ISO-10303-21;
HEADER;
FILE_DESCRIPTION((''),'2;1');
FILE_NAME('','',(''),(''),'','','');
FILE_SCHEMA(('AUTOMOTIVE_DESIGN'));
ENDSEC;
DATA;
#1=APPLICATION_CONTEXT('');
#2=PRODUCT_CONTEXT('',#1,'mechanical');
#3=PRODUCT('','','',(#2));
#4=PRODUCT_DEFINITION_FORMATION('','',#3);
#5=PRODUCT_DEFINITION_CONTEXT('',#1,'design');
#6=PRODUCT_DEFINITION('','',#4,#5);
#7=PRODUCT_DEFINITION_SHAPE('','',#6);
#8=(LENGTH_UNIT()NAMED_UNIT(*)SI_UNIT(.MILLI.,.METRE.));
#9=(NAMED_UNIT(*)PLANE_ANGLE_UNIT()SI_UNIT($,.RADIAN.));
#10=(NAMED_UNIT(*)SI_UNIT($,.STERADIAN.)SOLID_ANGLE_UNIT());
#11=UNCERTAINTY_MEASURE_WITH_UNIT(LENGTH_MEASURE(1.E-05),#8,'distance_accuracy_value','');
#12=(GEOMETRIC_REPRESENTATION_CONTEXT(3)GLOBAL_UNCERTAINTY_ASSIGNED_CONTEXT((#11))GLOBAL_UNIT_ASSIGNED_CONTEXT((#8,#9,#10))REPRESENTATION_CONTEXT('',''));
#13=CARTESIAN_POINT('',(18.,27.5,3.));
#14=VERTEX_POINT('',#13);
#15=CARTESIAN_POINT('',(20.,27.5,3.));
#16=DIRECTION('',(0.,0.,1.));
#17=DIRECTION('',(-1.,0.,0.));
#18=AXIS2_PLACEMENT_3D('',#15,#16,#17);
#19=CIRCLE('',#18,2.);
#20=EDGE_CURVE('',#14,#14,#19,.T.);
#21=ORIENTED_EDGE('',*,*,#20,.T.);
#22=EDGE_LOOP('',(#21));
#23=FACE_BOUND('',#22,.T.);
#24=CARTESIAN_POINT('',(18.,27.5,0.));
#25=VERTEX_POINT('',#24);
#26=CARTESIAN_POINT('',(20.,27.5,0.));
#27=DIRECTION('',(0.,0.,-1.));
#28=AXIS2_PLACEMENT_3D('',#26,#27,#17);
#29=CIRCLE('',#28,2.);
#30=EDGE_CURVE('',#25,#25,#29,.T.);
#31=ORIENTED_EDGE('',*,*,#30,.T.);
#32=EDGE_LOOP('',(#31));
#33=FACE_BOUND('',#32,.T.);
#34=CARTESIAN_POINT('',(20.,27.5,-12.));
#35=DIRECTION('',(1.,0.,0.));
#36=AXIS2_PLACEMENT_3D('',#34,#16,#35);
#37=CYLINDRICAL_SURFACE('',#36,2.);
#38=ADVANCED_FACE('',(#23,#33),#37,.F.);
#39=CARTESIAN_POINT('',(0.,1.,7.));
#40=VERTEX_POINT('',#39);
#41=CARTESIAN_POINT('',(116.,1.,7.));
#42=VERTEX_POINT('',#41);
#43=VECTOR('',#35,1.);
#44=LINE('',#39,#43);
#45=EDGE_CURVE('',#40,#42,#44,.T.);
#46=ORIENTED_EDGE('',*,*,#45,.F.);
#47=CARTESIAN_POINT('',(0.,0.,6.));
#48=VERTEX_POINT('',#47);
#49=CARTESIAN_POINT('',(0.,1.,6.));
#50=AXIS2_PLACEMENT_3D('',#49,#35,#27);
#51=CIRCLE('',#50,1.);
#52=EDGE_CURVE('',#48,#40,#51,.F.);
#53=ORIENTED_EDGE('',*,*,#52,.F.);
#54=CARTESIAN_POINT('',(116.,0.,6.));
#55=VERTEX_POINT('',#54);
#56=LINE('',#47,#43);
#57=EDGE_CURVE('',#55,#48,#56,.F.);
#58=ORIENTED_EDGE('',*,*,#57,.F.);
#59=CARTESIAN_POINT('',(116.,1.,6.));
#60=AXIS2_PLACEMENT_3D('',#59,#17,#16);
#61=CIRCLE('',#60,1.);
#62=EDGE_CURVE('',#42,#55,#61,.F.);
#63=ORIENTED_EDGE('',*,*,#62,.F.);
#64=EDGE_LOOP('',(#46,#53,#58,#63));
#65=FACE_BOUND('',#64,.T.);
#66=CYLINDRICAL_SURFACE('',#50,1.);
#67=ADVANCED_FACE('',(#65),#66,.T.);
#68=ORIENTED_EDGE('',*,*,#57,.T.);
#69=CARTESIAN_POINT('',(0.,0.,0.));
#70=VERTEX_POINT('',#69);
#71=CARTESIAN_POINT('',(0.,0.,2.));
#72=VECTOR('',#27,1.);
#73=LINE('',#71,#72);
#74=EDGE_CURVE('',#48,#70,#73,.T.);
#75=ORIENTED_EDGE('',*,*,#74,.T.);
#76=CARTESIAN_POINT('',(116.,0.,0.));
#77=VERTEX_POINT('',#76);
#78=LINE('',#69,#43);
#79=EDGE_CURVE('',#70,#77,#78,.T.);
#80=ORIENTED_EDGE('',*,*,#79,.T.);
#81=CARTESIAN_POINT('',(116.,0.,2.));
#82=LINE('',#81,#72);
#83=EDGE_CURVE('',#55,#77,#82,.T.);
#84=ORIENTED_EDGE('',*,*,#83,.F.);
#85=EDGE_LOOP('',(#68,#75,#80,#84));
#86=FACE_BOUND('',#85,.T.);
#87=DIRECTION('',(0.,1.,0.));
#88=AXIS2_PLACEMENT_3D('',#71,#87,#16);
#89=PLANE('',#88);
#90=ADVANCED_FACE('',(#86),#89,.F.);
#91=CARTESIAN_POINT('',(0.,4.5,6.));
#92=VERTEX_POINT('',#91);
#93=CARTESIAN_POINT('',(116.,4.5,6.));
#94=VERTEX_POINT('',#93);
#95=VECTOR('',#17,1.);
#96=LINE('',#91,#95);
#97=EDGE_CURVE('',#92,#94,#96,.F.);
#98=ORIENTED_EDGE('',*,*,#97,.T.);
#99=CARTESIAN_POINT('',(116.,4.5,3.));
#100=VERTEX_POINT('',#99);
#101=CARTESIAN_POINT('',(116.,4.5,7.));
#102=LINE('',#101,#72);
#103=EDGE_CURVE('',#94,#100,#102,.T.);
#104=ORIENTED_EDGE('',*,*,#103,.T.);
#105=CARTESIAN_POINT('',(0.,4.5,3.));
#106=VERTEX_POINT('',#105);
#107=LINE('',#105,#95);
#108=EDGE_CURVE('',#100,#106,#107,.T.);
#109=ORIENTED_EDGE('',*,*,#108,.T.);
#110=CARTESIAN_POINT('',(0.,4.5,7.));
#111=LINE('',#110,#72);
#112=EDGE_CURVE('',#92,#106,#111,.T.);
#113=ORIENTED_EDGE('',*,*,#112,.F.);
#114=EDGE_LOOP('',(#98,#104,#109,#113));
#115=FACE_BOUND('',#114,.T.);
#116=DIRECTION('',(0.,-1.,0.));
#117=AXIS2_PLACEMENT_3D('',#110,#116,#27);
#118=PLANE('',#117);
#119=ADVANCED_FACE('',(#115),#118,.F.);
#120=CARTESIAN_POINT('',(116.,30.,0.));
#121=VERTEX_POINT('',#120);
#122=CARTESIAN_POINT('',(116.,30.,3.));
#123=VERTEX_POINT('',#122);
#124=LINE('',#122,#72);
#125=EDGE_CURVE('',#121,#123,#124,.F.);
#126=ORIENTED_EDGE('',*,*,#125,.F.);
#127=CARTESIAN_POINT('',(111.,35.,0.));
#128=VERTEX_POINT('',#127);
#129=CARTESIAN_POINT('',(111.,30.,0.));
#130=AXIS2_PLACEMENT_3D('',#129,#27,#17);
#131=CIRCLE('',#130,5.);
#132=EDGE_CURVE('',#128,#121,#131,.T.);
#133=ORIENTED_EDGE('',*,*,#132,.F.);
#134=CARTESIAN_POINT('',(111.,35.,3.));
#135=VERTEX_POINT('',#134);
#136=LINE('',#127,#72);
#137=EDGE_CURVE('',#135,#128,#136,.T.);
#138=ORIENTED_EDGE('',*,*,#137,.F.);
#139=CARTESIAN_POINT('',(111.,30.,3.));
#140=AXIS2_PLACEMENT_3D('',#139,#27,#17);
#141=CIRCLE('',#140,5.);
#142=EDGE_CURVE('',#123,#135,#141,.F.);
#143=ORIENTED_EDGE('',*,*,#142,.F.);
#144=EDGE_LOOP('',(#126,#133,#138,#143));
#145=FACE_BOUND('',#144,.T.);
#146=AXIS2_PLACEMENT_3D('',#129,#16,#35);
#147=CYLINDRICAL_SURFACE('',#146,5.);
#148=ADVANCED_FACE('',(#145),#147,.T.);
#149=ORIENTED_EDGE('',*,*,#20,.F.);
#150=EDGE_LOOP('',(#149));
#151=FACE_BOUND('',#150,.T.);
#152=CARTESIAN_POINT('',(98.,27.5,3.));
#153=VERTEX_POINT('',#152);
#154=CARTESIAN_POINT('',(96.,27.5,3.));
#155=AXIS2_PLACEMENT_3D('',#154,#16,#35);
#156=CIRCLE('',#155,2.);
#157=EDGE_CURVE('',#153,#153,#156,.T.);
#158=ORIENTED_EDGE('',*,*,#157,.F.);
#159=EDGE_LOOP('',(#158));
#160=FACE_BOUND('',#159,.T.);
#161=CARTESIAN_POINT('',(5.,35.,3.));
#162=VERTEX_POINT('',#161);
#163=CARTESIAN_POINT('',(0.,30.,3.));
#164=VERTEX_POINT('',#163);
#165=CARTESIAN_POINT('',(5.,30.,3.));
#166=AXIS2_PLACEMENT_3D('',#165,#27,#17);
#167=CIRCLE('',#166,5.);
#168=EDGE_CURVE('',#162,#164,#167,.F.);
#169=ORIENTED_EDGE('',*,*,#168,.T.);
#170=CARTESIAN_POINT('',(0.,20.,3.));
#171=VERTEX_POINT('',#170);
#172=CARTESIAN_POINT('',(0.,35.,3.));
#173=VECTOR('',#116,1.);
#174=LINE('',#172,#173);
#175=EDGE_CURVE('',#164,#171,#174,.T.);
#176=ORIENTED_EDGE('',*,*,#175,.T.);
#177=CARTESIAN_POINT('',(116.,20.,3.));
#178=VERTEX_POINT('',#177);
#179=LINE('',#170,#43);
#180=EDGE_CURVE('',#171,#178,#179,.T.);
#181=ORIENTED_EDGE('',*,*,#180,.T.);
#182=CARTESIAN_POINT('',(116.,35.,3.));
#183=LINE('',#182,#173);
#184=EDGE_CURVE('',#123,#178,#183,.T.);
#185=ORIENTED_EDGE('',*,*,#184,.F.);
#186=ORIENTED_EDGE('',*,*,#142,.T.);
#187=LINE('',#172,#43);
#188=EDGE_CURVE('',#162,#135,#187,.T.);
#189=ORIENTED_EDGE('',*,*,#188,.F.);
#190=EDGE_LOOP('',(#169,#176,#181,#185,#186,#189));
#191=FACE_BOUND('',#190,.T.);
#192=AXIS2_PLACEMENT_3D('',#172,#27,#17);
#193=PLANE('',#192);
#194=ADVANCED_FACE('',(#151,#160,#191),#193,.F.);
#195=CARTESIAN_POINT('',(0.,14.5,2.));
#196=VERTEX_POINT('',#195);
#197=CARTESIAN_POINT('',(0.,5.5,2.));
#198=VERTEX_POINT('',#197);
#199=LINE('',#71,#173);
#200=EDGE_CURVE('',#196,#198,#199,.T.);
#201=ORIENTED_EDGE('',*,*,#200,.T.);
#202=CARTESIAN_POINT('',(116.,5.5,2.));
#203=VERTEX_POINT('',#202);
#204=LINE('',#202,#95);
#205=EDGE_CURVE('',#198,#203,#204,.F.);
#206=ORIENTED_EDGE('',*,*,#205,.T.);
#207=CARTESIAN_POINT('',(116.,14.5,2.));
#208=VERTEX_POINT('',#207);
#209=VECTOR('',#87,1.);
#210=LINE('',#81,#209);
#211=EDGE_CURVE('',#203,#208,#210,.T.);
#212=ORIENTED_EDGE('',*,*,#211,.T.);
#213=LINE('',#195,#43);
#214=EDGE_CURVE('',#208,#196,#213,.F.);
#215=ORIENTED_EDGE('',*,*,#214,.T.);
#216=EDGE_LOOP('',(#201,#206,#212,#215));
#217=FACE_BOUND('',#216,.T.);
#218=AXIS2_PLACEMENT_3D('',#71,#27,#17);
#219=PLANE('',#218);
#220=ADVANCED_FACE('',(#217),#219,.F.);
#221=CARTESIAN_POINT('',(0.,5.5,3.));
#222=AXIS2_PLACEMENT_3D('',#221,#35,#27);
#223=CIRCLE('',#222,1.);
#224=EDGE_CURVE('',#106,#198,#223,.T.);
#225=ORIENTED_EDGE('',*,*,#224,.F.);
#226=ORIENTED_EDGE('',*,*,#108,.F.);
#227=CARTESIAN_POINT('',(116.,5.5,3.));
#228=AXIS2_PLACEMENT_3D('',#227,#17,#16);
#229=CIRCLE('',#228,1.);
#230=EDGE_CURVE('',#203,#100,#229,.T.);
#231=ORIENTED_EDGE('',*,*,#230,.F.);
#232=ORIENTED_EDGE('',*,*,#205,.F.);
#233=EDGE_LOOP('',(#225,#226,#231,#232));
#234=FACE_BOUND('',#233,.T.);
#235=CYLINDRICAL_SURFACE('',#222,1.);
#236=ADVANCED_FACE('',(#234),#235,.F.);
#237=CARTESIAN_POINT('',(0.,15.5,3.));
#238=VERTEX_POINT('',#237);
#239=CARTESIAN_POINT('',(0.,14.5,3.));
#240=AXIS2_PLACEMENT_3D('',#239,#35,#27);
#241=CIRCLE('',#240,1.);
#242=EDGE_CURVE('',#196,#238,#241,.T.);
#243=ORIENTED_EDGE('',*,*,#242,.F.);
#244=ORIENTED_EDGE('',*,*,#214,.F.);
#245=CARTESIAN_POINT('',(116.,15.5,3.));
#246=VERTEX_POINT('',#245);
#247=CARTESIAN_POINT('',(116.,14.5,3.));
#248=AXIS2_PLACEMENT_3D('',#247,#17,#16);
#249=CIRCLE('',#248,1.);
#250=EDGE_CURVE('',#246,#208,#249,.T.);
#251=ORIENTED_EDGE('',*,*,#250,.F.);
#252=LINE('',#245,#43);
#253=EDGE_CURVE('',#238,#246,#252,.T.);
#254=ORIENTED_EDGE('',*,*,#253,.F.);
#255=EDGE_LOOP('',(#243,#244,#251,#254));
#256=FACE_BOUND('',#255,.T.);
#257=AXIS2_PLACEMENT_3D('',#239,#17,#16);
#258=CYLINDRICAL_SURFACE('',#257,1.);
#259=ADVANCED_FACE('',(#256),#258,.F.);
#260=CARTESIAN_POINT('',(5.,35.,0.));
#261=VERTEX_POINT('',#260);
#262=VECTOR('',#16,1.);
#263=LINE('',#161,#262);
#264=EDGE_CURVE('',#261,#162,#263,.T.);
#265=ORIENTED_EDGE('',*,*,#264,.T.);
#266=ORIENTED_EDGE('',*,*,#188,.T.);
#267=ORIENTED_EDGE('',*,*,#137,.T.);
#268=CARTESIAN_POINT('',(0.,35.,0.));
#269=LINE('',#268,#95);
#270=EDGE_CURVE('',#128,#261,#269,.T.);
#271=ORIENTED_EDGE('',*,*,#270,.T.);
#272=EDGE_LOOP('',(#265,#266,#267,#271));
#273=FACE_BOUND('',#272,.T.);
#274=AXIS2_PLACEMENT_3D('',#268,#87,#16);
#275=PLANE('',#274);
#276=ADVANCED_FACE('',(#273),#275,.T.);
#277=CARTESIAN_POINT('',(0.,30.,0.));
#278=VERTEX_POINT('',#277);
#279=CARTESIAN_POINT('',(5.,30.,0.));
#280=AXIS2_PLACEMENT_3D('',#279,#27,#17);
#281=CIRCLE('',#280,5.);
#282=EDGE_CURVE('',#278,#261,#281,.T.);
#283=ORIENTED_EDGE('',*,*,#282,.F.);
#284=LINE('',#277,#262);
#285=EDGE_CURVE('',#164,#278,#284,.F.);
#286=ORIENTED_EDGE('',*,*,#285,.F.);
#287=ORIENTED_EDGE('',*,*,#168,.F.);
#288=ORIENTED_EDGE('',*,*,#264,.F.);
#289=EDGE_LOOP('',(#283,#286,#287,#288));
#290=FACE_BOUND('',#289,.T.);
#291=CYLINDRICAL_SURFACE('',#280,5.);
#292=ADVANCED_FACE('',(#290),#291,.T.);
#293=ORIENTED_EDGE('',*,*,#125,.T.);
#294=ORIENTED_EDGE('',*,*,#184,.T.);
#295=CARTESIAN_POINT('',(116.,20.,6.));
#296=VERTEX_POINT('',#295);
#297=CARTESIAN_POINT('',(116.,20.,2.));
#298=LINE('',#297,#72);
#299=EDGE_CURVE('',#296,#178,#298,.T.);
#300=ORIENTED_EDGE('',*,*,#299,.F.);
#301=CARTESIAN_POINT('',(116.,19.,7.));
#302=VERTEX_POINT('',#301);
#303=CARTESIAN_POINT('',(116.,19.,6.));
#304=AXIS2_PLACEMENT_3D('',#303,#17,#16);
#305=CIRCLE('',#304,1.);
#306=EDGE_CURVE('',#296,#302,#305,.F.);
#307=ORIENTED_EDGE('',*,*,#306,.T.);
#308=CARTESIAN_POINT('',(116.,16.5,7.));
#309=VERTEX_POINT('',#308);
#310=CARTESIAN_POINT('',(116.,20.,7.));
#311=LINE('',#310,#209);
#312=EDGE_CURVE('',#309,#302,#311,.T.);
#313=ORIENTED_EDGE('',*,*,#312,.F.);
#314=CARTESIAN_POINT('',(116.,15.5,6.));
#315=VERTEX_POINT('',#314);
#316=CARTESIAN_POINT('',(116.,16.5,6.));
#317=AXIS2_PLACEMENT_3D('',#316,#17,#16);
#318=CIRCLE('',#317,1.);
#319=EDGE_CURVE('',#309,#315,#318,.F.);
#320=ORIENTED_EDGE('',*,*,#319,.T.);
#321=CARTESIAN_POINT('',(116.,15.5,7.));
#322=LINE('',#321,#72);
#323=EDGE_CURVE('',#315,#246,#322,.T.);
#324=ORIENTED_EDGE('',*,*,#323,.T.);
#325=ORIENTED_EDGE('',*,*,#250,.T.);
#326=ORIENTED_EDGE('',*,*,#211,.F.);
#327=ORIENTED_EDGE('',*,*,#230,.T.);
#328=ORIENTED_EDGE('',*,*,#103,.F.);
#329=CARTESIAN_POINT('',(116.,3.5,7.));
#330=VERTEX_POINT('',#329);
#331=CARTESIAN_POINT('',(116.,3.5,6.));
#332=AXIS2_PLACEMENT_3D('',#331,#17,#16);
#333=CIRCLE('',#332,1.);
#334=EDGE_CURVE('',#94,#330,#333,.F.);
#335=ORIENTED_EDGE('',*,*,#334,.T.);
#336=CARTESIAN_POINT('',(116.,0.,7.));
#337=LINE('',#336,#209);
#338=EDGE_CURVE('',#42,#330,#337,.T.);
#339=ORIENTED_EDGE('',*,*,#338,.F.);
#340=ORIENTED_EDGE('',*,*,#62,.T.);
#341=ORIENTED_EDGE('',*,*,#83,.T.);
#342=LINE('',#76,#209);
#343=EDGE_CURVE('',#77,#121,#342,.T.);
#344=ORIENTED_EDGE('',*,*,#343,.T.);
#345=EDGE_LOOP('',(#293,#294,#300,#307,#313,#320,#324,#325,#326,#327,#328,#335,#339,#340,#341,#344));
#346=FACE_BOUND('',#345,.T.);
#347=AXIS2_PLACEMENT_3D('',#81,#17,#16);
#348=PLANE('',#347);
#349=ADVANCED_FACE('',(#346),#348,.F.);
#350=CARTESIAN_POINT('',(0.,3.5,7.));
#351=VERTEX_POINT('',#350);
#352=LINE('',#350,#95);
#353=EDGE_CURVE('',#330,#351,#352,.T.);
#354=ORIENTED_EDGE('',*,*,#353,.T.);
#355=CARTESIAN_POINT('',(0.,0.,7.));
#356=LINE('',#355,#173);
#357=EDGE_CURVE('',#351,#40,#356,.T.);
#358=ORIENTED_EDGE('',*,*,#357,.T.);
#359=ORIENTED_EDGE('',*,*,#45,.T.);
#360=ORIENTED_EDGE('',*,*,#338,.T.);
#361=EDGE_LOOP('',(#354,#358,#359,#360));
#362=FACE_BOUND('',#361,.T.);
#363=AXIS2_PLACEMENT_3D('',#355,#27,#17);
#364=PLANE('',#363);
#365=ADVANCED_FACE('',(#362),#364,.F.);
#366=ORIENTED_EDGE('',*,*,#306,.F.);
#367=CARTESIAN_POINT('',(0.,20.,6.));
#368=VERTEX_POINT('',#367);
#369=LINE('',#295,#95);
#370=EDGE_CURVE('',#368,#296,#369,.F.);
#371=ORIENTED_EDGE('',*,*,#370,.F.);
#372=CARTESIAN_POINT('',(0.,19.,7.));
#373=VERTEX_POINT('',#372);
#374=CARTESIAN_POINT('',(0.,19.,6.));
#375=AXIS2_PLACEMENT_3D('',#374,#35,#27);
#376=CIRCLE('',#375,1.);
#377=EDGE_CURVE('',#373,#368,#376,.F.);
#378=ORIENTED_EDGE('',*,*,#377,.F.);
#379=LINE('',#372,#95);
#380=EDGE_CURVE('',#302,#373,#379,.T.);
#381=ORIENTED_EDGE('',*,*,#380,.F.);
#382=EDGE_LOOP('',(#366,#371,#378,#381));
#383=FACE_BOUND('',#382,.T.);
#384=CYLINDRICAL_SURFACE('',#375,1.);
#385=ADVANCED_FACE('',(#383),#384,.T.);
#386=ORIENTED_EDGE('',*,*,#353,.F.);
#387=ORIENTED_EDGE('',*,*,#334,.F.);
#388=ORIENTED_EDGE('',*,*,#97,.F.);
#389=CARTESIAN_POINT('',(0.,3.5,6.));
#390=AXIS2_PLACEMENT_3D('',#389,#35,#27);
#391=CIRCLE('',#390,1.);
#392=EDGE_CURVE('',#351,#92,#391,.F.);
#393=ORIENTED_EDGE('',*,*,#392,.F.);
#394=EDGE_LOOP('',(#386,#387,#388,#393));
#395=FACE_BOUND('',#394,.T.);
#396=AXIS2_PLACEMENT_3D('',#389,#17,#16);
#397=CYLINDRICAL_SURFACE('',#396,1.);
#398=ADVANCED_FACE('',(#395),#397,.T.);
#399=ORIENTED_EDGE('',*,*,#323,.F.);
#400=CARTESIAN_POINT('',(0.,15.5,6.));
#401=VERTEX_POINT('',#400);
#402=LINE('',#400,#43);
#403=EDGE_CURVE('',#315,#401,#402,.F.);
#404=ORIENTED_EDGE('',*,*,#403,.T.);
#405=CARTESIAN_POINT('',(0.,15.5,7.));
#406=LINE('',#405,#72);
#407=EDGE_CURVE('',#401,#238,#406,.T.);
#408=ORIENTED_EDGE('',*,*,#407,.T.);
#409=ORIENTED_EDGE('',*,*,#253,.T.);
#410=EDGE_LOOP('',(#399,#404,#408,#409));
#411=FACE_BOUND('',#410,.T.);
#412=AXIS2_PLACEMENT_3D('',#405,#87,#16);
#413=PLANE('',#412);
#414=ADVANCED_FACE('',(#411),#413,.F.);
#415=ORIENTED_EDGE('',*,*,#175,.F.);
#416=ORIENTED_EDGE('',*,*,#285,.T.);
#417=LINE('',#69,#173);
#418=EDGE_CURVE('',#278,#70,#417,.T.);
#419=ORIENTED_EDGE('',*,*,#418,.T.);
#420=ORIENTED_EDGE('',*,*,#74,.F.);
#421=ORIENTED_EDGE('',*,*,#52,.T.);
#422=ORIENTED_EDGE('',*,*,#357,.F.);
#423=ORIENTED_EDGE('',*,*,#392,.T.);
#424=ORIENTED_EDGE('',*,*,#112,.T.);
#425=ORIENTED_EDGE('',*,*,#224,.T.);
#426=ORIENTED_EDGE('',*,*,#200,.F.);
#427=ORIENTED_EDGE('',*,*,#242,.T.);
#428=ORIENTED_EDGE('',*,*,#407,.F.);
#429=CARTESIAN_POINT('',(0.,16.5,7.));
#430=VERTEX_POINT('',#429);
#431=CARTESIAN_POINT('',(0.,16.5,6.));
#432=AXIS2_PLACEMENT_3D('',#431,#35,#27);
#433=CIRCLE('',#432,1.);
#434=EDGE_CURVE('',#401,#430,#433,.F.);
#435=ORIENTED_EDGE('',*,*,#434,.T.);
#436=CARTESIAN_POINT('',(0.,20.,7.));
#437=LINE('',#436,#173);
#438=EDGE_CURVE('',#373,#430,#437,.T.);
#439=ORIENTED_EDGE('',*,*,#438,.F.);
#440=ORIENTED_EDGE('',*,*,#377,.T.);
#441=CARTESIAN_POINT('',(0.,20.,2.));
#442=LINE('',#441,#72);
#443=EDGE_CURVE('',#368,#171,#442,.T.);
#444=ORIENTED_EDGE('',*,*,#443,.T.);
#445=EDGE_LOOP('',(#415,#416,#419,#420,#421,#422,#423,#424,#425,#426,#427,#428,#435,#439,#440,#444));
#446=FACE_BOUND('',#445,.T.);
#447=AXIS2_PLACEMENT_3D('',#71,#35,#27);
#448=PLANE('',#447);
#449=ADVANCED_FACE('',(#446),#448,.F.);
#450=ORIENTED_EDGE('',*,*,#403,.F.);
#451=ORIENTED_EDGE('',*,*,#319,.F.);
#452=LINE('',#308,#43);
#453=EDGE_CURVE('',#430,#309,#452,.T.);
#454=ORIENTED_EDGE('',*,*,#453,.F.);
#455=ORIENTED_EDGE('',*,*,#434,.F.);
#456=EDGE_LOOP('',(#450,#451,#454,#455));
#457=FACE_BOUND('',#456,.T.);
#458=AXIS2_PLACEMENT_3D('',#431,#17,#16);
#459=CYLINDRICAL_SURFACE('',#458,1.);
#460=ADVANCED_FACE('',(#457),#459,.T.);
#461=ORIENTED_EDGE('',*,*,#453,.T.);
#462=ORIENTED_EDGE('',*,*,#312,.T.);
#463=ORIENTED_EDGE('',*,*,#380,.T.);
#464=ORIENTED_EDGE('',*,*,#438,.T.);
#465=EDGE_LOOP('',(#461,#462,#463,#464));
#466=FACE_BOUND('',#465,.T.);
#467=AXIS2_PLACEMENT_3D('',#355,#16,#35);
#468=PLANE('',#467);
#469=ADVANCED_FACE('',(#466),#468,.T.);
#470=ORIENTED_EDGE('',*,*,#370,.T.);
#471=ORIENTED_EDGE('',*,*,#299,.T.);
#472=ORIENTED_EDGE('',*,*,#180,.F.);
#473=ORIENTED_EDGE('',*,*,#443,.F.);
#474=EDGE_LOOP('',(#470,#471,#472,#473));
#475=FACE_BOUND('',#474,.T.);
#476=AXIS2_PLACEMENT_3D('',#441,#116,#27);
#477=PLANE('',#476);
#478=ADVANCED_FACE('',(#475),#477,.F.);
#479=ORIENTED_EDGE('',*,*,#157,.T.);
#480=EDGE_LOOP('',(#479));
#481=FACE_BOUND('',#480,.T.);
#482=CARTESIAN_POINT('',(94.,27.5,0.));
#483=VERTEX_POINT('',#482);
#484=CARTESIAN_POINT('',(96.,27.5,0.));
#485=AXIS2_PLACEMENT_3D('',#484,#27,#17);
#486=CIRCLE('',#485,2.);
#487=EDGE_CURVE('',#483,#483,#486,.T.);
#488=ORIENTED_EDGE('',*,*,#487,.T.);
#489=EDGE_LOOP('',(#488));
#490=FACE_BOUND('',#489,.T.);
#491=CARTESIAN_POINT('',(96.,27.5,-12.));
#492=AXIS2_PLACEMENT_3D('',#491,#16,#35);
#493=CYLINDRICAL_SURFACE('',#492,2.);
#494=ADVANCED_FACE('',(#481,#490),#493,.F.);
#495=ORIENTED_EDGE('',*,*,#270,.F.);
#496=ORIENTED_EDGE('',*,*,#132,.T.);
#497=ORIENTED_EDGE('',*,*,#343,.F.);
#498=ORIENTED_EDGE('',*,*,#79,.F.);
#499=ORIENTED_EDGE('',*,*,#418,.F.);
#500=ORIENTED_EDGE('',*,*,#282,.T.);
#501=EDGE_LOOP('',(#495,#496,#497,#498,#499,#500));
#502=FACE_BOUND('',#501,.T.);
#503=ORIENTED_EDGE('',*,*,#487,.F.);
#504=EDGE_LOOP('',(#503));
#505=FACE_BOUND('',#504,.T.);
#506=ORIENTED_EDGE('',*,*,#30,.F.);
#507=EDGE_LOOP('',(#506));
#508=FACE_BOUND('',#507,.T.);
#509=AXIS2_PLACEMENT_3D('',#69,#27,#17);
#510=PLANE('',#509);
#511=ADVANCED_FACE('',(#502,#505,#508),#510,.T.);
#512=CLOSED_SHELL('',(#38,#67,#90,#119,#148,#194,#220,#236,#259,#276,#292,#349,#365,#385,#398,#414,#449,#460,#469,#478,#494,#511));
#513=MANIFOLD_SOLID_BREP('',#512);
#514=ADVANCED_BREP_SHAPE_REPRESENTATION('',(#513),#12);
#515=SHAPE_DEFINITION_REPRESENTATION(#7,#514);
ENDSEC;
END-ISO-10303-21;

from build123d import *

# Parameters (mm, degrees)
SKETCH1_W           = 116
SKETCH1_H           = 20
BOSS_EXTRUDE1_DEPTH = 2
SKETCH2_W           = 116
SKETCH2_H           = 4.5
BOSS_EXTRUDE2_DEPTH = 5
FILLET1_R           = 1
SKETCH3_W           = 116
SKETCH3_H           = 3
BOSS_EXTRUDE3_DEPTH = 15
FILLET2_R           = 5
SKETCH4_R           = 2
CUT_EXTRUDE1_DEPTH  = 15


with BuildPart() as part:
    # Sketch1 → Boss-Extrude1 (new body)
    with BuildSketch(Plane.XY):
        with Locations((58, 10)):
            Rectangle(SKETCH1_W, SKETCH1_H)
    extrude(amount=BOSS_EXTRUDE1_DEPTH)

    # Sketch2 → Boss-Extrude2 (add)
    with BuildSketch(Plane.XY.offset(2)):
        with Locations((58, 17.75)):
            Rectangle(SKETCH2_W, SKETCH2_H)
        with Locations((58, 2.25)):
            Rectangle(SKETCH2_W, SKETCH2_H)
    extrude(amount=BOSS_EXTRUDE2_DEPTH)

    # Fillet1
    fillet1_edges = [part.edges().sort_by_distance(p)[0] for p in [
        (58, 15.5, 2),
        (58, 15.5, 7),
        (58, 20, 7),
        (58, 4.5, 2),
        (58, 0, 7),
        (58, 4.5, 7),
    ]]
    fillet(fillet1_edges, radius=FILLET1_R)

    # Sketch3 → Boss-Extrude3 (add)
    with BuildSketch(Plane(origin=(0, 20, 0), x_dir=(1, 0, 0), z_dir=(0, 1, 0))):
        with Locations((58, -1.5)):
            Rectangle(SKETCH3_W, SKETCH3_H)
    extrude(amount=BOSS_EXTRUDE3_DEPTH)

    # Fillet2
    fillet2_edges = [part.edges().sort_by_distance(p)[0] for p in [
        (0, 35, 1.5),
        (116, 35, 1.5),
    ]]
    fillet(fillet2_edges, radius=FILLET2_R)

    # Sketch4 → Cut-Extrude1 (cut)
    with BuildSketch(Plane.XY.offset(3)):
        with Locations((96, 27.5)):
            Circle(SKETCH4_R)
        with Locations(Location((20, 27.5, 0), (0, 0, 180))):
            Circle(SKETCH4_R)
    extrude(amount=-CUT_EXTRUDE1_DEPTH, mode=Mode.SUBTRACT)


solid = part.part
